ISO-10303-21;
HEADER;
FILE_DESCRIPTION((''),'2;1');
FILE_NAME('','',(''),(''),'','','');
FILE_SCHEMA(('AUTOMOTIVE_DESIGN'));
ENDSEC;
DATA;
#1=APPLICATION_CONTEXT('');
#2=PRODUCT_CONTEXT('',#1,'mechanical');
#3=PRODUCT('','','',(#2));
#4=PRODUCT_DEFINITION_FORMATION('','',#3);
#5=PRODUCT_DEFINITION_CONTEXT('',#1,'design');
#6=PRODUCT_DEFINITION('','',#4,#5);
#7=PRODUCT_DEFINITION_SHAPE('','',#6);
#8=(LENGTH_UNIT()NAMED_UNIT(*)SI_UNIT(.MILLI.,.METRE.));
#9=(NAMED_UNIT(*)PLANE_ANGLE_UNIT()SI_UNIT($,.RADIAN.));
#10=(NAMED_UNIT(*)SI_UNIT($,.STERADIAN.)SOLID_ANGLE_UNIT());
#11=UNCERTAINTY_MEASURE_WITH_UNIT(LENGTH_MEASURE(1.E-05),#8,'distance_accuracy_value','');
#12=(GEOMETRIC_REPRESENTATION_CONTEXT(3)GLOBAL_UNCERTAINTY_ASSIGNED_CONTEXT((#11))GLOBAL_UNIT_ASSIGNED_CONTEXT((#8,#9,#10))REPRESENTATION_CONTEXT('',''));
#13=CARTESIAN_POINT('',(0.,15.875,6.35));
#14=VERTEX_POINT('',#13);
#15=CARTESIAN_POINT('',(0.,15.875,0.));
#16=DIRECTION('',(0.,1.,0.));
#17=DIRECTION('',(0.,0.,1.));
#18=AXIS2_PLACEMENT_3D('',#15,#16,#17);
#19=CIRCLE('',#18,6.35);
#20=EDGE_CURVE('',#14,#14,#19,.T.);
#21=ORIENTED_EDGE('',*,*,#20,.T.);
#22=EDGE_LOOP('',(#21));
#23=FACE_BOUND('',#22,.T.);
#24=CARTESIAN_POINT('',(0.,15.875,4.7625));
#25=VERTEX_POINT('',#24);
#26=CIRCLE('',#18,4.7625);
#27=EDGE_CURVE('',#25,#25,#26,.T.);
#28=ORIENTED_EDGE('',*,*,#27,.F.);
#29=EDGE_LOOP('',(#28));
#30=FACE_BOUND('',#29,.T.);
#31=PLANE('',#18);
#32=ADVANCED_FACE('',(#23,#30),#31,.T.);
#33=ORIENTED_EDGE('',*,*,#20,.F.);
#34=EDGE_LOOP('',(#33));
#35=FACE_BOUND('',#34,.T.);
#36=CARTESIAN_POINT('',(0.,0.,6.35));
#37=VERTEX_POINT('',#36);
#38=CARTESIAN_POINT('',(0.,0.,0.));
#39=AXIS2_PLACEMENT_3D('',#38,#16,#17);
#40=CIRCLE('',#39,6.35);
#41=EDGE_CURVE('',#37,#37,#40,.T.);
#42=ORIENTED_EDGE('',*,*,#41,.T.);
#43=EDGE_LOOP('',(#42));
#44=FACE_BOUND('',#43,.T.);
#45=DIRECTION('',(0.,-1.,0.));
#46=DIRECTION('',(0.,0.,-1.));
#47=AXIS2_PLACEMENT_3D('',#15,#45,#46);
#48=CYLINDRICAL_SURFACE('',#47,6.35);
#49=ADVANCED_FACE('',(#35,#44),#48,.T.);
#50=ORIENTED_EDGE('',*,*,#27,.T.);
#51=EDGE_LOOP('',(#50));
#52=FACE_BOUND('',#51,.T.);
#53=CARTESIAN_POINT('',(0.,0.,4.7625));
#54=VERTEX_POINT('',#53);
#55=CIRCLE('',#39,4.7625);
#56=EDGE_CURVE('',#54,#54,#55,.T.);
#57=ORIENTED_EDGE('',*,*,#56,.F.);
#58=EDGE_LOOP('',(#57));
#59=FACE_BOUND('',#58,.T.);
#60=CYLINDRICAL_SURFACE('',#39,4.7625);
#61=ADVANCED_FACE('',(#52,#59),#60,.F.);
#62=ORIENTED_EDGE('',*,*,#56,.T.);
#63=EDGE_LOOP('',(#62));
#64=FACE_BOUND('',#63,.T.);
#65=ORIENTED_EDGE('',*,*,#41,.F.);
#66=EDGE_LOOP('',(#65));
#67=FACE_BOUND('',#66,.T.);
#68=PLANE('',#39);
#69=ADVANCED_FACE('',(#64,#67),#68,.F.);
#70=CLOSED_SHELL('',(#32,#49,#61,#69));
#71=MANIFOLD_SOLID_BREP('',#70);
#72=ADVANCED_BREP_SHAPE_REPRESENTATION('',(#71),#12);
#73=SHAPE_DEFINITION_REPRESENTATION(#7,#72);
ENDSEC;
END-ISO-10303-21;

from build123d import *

# Parameters (mm, degrees)
SKETCH1_R           = 6.35
BOSS_EXTRUDE1_DEPTH = 15.875
SKETCH2_R           = 4.7625
CUT_EXTRUDE1_DEPTH  = 19.238986403


with BuildPart() as part:
    # Sketch1 → Boss-Extrude1 (new body)
    with BuildSketch(Plane(origin=(0, 0, 0), x_dir=(1, 0, 0), z_dir=(0, 1, 0))):
        with Locations(Location((0, 0, 0), (0, 0, 270))):
            Circle(SKETCH1_R)
    extrude(amount=BOSS_EXTRUDE1_DEPTH)

    # Sketch2 → Cut-Extrude1 (cut, through all)
    with BuildSketch(Plane(origin=(0, 15.875, 0), x_dir=(1, 0, 0), z_dir=(0, 1, 0))):
        with Locations(Location((0, 0, 0), (0, 0, 270))):
            Circle(SKETCH2_R)
    extrude(amount=-CUT_EXTRUDE1_DEPTH, mode=Mode.SUBTRACT)


solid = part.part
